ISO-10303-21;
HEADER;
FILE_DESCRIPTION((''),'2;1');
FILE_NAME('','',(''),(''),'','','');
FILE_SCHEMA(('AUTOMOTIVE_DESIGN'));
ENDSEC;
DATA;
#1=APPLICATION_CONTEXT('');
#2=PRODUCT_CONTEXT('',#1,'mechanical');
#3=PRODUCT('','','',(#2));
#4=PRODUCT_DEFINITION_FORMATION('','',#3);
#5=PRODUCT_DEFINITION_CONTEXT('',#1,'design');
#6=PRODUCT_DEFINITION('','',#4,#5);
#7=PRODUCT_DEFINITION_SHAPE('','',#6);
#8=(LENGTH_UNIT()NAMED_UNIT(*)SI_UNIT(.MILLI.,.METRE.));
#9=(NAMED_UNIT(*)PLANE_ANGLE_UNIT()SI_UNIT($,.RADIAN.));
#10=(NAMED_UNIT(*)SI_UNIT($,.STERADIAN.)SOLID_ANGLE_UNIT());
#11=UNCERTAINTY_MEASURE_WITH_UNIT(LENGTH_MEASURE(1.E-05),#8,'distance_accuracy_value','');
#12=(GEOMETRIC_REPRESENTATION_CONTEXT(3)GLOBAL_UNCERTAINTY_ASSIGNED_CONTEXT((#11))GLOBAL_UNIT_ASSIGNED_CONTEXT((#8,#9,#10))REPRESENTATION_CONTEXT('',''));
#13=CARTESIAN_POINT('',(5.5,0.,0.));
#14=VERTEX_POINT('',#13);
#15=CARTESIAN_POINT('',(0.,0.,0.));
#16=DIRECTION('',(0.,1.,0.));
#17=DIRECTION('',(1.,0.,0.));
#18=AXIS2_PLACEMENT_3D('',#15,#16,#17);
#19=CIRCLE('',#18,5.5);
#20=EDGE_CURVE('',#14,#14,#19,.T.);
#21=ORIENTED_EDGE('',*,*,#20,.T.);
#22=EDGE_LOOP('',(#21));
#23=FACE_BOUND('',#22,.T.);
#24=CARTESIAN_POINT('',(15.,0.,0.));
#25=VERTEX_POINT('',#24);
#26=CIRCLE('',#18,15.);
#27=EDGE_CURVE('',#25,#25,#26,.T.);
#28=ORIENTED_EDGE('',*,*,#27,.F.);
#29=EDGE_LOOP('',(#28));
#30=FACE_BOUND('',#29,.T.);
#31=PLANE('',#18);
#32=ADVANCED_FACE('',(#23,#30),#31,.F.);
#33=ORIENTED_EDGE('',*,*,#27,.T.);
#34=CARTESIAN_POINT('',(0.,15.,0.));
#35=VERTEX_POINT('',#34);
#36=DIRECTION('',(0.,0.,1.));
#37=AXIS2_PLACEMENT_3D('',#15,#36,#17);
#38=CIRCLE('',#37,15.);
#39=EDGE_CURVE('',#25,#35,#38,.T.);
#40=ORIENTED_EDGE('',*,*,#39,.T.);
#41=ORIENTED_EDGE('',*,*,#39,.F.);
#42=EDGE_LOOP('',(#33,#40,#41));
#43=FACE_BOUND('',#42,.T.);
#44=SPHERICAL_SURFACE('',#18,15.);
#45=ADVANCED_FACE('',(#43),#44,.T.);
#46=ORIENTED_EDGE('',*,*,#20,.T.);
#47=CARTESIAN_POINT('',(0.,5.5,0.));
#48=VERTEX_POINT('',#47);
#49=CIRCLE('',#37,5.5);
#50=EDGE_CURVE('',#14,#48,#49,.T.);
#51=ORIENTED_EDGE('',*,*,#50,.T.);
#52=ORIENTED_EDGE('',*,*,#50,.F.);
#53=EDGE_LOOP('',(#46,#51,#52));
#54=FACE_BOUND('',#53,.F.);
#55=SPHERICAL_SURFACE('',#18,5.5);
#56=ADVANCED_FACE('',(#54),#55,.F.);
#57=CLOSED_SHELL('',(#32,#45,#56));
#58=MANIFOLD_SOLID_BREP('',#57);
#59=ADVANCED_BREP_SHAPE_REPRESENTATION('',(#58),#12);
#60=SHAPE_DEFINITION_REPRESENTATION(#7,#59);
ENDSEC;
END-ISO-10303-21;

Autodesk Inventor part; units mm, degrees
ref_plane "YZ Plane" through (0, 0, 0) normal (1, 0, 0) x (0, 1, 0)
ref_plane "XZ Plane" through (0, 0, 0) normal (0, 1, 0) x (-1, 0, 0)
ref_plane "XY Plane" through (0, 0, 0) normal (0, 0, 1) x (1, 0, 0)
sketch "Sketch1" plane through (0, 0, 0) normal (0, 0, 1) x (1, 0, 0)
  line L0 (0, 0) -> (0, 15)
  line L1 (0, 0) -> (15, 0)
  arc A0 (15, 0) -> (0, 15) centre (0, 0) ccw
  line L2 (0, -3.6213) -> (0, 21.7279) projected
  dimension "d2" = 15
revolve "Revolution1" add sketch "Sketch1" angle 360 about axis through (0, -10, 0) along (0, 1, 0)
shell "Shell2" thickness 9.5 removed faces 1 at (4.7094, 0, 0)
properties part number "Ball_Half Sphere 4" material "ABS Plastic"
